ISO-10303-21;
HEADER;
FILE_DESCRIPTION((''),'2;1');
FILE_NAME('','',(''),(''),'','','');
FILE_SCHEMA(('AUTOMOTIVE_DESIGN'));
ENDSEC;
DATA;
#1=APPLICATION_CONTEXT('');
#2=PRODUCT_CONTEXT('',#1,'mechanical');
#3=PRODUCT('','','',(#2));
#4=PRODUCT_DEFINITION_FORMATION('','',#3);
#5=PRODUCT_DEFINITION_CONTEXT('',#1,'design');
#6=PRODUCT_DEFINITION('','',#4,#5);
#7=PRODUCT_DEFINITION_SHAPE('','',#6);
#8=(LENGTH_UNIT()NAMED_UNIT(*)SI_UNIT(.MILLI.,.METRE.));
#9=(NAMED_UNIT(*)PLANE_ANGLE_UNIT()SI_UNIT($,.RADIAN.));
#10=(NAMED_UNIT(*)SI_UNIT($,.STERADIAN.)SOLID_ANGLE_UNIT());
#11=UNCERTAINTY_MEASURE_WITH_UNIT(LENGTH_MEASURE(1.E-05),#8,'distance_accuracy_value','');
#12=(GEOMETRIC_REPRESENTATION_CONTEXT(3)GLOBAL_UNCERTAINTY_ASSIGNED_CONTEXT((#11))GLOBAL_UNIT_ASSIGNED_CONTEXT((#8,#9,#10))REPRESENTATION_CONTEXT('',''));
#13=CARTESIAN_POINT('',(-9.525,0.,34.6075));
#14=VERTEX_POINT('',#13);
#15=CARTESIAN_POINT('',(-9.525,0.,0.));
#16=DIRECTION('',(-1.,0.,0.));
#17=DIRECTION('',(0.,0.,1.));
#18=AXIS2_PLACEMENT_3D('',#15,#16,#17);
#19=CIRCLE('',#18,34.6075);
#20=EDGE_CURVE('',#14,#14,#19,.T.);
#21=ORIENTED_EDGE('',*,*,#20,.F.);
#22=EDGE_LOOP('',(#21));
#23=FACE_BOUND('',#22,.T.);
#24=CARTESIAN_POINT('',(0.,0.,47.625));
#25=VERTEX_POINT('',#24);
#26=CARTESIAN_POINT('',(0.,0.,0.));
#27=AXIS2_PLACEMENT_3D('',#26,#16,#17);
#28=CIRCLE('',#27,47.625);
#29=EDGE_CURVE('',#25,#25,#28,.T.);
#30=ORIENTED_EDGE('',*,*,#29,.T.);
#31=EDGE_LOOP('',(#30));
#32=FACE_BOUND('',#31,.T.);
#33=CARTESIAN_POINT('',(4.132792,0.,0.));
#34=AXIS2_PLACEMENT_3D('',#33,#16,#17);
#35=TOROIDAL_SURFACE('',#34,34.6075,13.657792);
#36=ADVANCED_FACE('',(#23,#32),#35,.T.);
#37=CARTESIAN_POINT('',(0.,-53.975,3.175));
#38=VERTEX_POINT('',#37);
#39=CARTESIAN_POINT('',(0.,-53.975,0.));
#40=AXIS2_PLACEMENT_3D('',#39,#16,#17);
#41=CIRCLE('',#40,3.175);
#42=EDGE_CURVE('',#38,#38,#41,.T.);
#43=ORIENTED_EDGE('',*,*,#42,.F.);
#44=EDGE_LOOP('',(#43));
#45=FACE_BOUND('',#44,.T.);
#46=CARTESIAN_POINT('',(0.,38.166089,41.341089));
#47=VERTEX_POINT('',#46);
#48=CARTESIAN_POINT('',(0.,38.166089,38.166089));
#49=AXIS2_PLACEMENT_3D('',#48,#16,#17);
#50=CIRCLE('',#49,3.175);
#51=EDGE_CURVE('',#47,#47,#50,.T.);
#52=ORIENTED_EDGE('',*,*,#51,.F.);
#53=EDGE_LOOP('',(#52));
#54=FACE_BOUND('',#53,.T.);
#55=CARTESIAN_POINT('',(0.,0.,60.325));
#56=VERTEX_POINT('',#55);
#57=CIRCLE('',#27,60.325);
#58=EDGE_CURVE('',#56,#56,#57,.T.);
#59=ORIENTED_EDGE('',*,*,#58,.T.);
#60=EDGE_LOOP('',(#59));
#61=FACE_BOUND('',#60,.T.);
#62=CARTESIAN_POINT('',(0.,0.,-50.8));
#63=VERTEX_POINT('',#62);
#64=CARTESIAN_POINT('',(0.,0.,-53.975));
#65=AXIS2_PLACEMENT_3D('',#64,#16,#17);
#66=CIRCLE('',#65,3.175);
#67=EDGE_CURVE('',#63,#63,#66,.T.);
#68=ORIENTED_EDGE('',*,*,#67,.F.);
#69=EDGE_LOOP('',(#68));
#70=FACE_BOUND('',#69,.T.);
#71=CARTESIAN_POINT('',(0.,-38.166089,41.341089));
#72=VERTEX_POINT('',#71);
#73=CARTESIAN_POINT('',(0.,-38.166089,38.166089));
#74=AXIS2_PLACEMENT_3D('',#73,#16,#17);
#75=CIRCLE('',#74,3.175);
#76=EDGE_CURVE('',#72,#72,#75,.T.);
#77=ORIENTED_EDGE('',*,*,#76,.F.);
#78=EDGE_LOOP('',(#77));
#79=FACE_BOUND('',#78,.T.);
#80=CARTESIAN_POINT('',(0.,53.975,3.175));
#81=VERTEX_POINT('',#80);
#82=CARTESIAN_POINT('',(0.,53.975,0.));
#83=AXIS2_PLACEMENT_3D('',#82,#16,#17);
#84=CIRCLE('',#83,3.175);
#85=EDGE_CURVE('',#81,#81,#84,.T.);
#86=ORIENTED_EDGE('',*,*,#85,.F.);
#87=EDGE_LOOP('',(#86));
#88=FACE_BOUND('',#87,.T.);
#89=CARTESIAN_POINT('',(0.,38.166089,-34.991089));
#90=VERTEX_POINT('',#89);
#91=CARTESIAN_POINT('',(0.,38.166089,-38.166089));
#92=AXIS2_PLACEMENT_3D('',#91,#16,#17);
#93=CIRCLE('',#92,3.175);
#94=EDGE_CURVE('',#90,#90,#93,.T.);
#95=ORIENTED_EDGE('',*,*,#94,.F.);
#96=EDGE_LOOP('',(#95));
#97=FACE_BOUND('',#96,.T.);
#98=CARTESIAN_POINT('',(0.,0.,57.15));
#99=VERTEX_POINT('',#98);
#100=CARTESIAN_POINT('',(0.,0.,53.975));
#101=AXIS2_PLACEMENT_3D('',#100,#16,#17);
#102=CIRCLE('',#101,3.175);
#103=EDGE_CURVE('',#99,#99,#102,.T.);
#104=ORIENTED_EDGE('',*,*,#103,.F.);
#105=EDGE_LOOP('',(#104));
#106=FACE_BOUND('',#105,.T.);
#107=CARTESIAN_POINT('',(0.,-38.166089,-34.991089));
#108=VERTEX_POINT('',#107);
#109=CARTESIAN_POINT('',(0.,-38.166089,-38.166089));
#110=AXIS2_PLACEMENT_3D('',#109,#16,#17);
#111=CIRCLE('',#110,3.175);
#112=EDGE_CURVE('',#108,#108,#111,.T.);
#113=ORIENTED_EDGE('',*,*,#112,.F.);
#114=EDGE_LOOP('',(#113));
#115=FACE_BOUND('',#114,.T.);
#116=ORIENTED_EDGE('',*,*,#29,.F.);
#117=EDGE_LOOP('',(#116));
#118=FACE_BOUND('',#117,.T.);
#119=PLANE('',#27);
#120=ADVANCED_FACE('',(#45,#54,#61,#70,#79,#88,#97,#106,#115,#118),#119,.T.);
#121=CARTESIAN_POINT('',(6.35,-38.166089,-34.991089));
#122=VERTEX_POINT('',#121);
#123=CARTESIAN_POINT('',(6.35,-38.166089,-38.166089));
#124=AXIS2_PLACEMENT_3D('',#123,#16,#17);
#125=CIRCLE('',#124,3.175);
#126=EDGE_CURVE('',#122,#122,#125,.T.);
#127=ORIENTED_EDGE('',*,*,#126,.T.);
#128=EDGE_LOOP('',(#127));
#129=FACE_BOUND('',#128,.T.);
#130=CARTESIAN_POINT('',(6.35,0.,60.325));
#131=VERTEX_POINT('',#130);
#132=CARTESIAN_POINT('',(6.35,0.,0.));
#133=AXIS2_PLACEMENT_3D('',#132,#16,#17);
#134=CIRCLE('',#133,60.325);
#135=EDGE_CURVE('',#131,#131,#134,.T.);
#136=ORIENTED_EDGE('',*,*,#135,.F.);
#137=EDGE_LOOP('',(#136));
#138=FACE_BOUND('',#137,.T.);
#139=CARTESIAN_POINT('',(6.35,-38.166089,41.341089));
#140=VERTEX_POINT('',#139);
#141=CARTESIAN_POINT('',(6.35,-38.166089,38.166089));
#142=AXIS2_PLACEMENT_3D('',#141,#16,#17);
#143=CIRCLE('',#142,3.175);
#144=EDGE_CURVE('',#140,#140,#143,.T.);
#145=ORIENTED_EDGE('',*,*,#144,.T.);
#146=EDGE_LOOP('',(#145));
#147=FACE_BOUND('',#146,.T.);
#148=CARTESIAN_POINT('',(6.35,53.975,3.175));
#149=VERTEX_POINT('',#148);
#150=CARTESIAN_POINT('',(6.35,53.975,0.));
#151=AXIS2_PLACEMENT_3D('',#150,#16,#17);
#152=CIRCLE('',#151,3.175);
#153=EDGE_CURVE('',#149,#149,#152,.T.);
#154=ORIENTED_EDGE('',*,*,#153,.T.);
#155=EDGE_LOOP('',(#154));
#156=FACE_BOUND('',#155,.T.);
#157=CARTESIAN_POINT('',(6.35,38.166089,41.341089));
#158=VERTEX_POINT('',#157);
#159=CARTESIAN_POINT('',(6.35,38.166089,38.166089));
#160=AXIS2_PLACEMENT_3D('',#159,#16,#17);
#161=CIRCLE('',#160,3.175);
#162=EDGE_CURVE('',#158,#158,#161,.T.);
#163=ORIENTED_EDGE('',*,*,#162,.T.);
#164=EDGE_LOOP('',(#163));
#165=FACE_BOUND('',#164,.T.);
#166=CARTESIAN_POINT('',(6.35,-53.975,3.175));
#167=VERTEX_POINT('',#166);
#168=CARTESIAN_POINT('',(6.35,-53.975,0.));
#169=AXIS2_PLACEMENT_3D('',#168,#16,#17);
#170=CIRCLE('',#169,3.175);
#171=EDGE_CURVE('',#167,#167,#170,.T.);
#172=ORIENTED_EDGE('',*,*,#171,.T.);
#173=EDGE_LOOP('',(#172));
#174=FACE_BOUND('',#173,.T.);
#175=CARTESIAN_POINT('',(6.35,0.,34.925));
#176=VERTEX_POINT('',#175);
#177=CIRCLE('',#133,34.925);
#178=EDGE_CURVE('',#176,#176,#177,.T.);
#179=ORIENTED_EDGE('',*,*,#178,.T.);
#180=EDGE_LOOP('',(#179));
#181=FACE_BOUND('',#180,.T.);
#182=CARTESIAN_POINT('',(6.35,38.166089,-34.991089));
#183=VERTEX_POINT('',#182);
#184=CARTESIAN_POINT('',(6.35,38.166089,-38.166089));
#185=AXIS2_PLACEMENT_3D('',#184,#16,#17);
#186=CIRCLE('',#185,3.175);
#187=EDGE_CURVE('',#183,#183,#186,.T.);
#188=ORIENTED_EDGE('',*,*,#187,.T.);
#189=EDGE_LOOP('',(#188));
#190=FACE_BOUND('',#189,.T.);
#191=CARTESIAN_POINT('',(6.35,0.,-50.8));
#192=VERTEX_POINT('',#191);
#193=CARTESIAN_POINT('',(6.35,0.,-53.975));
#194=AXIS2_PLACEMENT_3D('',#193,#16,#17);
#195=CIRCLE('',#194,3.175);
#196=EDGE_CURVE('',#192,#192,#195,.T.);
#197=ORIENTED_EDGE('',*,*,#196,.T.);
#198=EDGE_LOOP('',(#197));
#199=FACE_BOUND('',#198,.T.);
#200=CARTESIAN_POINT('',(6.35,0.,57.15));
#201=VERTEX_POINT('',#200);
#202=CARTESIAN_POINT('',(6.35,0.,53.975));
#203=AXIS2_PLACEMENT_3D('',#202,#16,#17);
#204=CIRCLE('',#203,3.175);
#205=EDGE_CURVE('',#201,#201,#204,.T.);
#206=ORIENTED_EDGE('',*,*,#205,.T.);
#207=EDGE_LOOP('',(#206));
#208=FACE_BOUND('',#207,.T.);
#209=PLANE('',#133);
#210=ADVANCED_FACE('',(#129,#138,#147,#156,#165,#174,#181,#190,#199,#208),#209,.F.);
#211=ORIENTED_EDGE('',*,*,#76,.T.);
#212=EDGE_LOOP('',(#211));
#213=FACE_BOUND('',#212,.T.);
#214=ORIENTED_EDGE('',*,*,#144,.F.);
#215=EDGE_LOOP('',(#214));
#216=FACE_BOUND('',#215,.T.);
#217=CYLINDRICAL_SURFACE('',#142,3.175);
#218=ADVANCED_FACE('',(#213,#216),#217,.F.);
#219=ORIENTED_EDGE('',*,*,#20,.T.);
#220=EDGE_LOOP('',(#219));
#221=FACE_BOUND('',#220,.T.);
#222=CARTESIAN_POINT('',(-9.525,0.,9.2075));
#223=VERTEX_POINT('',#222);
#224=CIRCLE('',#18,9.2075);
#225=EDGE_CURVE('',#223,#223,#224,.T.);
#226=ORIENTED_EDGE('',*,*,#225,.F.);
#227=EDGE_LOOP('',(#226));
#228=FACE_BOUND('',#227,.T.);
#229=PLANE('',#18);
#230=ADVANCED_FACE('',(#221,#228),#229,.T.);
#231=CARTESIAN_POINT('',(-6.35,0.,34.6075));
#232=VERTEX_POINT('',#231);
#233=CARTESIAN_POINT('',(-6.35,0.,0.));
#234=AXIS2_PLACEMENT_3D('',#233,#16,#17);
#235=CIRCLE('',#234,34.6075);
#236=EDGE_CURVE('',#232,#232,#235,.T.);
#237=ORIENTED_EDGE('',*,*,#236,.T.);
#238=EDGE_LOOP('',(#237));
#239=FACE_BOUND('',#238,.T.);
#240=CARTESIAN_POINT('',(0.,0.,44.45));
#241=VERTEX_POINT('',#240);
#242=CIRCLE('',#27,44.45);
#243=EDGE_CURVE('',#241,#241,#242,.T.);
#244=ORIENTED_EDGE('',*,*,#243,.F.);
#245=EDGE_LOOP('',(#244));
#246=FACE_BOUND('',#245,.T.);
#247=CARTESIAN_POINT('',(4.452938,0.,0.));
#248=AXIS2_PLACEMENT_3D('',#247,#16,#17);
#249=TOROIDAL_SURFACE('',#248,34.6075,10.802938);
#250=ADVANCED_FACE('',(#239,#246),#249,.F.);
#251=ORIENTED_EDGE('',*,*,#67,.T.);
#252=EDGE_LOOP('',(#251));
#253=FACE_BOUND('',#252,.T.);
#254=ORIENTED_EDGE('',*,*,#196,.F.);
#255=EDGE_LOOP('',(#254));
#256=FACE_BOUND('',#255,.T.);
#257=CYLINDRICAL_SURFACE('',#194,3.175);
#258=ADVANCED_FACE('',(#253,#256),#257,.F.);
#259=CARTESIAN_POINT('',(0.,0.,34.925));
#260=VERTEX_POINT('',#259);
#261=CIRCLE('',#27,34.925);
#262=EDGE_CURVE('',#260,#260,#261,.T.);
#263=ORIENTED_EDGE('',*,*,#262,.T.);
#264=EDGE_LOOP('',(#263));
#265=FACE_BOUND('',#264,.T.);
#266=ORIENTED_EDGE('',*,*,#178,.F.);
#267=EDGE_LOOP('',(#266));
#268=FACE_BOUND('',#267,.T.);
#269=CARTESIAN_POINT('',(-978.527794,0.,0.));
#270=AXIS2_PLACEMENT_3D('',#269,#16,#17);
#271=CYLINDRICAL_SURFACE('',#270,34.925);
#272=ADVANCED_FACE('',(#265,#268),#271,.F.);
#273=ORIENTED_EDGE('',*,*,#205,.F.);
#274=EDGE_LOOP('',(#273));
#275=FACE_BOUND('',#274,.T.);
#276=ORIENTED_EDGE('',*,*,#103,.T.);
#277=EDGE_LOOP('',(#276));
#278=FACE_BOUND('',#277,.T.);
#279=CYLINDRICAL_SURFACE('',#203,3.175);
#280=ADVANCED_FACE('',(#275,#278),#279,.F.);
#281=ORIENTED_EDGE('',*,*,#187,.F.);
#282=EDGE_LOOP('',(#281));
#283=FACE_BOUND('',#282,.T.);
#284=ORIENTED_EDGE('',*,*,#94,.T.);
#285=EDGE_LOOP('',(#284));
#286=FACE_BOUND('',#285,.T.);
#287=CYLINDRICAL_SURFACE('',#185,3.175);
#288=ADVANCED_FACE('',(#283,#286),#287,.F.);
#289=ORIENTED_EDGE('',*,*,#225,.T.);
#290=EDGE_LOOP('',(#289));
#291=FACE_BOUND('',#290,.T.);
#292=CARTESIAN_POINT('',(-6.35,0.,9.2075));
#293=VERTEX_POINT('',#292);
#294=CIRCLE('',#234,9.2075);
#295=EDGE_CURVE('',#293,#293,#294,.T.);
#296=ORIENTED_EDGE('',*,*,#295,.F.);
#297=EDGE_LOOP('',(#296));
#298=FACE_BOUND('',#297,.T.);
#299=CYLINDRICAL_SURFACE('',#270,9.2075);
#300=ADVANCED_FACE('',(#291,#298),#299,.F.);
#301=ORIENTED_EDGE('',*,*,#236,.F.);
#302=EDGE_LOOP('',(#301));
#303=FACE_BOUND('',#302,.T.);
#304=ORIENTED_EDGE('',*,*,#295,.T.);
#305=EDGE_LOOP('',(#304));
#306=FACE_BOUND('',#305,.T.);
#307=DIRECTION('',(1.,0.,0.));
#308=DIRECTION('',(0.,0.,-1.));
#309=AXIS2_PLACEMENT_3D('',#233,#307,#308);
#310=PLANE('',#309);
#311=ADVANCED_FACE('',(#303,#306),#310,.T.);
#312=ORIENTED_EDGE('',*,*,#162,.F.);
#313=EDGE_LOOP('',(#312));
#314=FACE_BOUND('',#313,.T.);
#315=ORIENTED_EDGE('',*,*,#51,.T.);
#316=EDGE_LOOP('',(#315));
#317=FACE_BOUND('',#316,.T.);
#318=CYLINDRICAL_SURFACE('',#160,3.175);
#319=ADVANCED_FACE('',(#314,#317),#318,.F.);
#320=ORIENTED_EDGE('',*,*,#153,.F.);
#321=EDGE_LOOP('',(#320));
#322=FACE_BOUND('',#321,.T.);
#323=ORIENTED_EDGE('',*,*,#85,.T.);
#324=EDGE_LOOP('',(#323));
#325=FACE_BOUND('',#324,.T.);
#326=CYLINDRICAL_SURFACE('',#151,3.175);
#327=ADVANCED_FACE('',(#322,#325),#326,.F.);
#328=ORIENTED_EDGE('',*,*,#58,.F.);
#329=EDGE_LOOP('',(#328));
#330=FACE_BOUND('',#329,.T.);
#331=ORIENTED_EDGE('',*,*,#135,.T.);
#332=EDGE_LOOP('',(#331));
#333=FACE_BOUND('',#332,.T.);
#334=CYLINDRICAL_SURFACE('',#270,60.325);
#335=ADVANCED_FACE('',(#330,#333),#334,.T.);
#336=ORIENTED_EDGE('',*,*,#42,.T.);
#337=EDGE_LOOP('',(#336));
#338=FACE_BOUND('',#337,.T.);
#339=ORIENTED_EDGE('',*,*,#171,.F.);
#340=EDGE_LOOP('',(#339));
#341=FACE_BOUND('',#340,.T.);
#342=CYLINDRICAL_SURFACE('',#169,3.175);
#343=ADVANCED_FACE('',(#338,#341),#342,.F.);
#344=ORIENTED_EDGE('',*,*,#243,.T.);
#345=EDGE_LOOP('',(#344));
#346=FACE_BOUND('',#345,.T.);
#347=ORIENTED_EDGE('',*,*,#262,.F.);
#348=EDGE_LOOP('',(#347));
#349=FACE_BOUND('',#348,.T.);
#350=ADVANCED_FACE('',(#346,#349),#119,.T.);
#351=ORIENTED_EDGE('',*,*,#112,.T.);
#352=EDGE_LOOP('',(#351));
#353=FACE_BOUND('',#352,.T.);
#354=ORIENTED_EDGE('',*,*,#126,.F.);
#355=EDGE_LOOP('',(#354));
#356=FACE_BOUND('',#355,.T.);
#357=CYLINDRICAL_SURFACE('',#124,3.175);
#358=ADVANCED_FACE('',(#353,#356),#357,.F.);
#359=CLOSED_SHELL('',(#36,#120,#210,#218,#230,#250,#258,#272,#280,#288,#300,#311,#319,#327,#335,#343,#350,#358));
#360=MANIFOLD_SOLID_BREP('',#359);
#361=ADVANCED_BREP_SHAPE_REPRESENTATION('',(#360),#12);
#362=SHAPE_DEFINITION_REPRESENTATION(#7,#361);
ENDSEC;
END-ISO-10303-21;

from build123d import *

# Parameters (mm, degrees)
SKETCH2_W               = 6.35
SKETCH2_H               = 25.4
CUT_EXTRUDE1_DEPTH      = 86.84251205
CUT_EXTRUDE1_DEPTH_BACK = 86.84251205
SKETCH3_R               = 3.175


with BuildPart() as part:
    # Sketch2 → Revolve1 (revolve)
    with BuildSketch(Plane.XY, mode=Mode.PRIVATE) as revolve1_sk:
        with BuildLine():
            ThreePointArc((-6.35, 34.6075), (-4.624734672, 40.464062692), (0, 44.45))
            Line((0, 44.45), (0, 47.625))
            ThreePointArc((0, 47.625), (-6.88946039, 42.67256248), (-9.525, 34.6075))
            Line((-9.525, 34.6075), (-9.525, 9.2075))
            Line((-9.525, 9.2075), (-6.35, 9.2075))
            Line((-6.35, 9.2075), (-6.35, 34.6075))
        make_face()
        with Locations((3.175, 47.625)):
            Rectangle(SKETCH2_W, SKETCH2_H)
    revolve(revolve1_sk.sketch.rotate(Axis((-978.527794003, 0, 0), (1, 0, 0)), 90), axis=Axis((-978.527794003, 0, 0), (1, 0, 0)))

    # Sketch3 → Cut-Extrude1 (cut, two sides: drawn at the far end of the back side and taken through both)
    with BuildSketch(Plane.ZY.offset(-CUT_EXTRUDE1_DEPTH_BACK)):
        with Locations((0, 53.975)):
            Circle(SKETCH3_R)
        with Locations((38.166088515, 38.166088515)):
            Circle(SKETCH3_R)
        with Locations((53.975, 0)):
            Circle(SKETCH3_R)
        with Locations((38.166088515, -38.166088515)):
            Circle(SKETCH3_R)
        with Locations((0, -53.975)):
            Circle(SKETCH3_R)
        with Locations((-38.166088515, -38.166088515)):
            Circle(SKETCH3_R)
        with Locations((-53.975, 0)):
            Circle(SKETCH3_R)
        with Locations((-38.166088515, 38.166088515)):
            Circle(SKETCH3_R)
    extrude(amount=CUT_EXTRUDE1_DEPTH + CUT_EXTRUDE1_DEPTH_BACK, mode=Mode.SUBTRACT)


solid = part.part
